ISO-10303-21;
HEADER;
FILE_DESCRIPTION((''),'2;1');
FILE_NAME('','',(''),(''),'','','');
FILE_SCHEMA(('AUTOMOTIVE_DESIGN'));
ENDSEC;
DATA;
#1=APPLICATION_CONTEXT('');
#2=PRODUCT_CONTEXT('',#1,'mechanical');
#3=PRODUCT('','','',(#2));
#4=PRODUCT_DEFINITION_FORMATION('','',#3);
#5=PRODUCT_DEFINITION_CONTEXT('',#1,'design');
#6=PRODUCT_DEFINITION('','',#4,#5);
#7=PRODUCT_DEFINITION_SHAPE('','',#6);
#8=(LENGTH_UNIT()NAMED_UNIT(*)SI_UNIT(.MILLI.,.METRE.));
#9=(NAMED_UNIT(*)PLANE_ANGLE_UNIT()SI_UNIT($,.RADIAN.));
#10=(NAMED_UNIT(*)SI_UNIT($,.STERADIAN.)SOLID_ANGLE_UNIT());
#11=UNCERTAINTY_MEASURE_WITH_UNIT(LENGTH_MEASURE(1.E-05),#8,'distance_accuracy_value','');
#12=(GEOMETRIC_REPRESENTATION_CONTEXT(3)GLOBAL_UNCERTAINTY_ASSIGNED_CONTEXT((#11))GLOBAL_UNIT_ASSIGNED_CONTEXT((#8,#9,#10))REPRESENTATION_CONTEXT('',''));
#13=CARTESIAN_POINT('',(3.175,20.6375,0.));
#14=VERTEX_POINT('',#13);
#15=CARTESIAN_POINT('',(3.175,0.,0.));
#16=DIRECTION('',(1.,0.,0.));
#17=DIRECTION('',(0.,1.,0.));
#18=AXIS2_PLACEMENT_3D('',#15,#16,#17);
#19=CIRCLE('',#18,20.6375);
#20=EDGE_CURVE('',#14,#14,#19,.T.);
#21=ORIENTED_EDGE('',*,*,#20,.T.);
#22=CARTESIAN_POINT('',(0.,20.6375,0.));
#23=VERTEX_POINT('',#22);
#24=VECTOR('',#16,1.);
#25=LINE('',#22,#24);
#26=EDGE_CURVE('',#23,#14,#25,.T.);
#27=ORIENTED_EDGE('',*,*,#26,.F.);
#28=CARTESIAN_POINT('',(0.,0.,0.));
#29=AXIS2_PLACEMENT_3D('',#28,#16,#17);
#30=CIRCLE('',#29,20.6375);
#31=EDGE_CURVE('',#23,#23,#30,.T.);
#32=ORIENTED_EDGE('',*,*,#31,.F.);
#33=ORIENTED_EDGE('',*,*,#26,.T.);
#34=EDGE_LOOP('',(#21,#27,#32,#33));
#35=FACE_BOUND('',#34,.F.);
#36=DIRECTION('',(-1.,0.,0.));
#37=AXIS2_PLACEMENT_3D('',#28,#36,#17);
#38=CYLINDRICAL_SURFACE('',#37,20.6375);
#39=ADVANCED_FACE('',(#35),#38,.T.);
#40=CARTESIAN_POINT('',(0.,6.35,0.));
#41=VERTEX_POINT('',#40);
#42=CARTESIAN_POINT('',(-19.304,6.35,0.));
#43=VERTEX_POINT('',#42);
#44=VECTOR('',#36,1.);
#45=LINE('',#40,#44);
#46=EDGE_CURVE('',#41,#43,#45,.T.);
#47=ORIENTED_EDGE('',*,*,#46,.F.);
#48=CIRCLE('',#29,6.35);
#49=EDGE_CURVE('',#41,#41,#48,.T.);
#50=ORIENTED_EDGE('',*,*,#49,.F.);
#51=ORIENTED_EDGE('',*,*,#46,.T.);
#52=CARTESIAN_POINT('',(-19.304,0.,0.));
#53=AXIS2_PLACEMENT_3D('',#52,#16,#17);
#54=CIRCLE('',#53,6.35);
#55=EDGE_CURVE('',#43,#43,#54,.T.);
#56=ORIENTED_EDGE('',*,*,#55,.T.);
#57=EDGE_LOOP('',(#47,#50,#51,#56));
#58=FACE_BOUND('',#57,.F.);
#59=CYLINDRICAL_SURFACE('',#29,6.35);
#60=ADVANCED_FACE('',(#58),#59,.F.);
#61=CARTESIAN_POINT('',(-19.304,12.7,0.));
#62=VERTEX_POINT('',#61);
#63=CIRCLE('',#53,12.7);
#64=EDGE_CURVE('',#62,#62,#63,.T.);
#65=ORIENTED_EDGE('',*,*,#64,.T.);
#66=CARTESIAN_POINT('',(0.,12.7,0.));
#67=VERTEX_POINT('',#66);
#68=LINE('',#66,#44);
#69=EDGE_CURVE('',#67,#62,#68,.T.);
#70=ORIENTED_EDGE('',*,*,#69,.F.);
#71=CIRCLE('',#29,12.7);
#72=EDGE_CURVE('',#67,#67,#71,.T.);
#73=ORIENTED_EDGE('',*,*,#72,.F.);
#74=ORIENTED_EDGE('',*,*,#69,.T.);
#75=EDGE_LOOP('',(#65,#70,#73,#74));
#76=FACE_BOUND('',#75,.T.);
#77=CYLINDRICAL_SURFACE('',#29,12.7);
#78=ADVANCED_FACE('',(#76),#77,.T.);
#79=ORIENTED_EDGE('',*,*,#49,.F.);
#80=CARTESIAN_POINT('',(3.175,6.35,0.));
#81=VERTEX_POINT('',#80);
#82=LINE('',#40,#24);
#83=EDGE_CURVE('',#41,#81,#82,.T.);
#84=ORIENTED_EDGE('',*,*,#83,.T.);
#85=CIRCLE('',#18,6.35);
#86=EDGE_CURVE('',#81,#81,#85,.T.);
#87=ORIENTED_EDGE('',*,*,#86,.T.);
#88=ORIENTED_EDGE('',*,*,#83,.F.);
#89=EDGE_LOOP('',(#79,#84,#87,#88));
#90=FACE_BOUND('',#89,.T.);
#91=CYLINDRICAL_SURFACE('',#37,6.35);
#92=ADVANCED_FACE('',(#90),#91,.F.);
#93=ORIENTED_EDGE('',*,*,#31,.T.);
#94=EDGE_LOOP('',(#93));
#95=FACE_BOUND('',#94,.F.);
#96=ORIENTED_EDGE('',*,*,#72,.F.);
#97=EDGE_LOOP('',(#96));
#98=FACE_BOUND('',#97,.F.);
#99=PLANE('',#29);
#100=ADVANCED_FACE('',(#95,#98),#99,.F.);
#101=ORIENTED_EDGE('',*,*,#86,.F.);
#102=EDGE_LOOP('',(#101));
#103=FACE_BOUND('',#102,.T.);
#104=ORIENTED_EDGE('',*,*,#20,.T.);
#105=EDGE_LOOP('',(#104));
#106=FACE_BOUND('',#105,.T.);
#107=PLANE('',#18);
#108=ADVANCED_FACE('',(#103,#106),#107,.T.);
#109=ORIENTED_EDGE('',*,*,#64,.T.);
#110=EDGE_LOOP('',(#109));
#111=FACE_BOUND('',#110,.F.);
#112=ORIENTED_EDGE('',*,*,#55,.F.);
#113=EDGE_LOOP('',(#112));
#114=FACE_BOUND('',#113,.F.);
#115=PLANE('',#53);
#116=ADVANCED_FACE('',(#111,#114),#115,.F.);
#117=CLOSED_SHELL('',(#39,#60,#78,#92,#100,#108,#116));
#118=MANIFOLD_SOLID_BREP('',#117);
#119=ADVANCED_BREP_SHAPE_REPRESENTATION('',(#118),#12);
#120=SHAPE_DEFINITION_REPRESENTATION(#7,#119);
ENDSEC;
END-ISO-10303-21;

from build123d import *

# Parameters (mm, degrees)
F0_R     = 20.6375
F0_R_2   = 12.7
F0_R_3   = 6.35
F1_DEPTH = 3.175
F2_DEPTH = 19.304


with BuildPart() as f1:
    # F0 (on Right) → F1 (new body)
    with BuildSketch(Plane.YZ):
        Circle(F0_R)
        Circle(F0_R_2, mode=Mode.SUBTRACT)
        Circle(F0_R_2)
        Circle(F0_R_3, mode=Mode.SUBTRACT)
    extrude(amount=F1_DEPTH)

    # F0 (on Right) → F2 (join)
    with BuildSketch(Plane.YZ):
        Circle(F0_R_2)
        Circle(F0_R_3, mode=Mode.SUBTRACT)
    extrude(amount=-F2_DEPTH)


solid = f1.part
